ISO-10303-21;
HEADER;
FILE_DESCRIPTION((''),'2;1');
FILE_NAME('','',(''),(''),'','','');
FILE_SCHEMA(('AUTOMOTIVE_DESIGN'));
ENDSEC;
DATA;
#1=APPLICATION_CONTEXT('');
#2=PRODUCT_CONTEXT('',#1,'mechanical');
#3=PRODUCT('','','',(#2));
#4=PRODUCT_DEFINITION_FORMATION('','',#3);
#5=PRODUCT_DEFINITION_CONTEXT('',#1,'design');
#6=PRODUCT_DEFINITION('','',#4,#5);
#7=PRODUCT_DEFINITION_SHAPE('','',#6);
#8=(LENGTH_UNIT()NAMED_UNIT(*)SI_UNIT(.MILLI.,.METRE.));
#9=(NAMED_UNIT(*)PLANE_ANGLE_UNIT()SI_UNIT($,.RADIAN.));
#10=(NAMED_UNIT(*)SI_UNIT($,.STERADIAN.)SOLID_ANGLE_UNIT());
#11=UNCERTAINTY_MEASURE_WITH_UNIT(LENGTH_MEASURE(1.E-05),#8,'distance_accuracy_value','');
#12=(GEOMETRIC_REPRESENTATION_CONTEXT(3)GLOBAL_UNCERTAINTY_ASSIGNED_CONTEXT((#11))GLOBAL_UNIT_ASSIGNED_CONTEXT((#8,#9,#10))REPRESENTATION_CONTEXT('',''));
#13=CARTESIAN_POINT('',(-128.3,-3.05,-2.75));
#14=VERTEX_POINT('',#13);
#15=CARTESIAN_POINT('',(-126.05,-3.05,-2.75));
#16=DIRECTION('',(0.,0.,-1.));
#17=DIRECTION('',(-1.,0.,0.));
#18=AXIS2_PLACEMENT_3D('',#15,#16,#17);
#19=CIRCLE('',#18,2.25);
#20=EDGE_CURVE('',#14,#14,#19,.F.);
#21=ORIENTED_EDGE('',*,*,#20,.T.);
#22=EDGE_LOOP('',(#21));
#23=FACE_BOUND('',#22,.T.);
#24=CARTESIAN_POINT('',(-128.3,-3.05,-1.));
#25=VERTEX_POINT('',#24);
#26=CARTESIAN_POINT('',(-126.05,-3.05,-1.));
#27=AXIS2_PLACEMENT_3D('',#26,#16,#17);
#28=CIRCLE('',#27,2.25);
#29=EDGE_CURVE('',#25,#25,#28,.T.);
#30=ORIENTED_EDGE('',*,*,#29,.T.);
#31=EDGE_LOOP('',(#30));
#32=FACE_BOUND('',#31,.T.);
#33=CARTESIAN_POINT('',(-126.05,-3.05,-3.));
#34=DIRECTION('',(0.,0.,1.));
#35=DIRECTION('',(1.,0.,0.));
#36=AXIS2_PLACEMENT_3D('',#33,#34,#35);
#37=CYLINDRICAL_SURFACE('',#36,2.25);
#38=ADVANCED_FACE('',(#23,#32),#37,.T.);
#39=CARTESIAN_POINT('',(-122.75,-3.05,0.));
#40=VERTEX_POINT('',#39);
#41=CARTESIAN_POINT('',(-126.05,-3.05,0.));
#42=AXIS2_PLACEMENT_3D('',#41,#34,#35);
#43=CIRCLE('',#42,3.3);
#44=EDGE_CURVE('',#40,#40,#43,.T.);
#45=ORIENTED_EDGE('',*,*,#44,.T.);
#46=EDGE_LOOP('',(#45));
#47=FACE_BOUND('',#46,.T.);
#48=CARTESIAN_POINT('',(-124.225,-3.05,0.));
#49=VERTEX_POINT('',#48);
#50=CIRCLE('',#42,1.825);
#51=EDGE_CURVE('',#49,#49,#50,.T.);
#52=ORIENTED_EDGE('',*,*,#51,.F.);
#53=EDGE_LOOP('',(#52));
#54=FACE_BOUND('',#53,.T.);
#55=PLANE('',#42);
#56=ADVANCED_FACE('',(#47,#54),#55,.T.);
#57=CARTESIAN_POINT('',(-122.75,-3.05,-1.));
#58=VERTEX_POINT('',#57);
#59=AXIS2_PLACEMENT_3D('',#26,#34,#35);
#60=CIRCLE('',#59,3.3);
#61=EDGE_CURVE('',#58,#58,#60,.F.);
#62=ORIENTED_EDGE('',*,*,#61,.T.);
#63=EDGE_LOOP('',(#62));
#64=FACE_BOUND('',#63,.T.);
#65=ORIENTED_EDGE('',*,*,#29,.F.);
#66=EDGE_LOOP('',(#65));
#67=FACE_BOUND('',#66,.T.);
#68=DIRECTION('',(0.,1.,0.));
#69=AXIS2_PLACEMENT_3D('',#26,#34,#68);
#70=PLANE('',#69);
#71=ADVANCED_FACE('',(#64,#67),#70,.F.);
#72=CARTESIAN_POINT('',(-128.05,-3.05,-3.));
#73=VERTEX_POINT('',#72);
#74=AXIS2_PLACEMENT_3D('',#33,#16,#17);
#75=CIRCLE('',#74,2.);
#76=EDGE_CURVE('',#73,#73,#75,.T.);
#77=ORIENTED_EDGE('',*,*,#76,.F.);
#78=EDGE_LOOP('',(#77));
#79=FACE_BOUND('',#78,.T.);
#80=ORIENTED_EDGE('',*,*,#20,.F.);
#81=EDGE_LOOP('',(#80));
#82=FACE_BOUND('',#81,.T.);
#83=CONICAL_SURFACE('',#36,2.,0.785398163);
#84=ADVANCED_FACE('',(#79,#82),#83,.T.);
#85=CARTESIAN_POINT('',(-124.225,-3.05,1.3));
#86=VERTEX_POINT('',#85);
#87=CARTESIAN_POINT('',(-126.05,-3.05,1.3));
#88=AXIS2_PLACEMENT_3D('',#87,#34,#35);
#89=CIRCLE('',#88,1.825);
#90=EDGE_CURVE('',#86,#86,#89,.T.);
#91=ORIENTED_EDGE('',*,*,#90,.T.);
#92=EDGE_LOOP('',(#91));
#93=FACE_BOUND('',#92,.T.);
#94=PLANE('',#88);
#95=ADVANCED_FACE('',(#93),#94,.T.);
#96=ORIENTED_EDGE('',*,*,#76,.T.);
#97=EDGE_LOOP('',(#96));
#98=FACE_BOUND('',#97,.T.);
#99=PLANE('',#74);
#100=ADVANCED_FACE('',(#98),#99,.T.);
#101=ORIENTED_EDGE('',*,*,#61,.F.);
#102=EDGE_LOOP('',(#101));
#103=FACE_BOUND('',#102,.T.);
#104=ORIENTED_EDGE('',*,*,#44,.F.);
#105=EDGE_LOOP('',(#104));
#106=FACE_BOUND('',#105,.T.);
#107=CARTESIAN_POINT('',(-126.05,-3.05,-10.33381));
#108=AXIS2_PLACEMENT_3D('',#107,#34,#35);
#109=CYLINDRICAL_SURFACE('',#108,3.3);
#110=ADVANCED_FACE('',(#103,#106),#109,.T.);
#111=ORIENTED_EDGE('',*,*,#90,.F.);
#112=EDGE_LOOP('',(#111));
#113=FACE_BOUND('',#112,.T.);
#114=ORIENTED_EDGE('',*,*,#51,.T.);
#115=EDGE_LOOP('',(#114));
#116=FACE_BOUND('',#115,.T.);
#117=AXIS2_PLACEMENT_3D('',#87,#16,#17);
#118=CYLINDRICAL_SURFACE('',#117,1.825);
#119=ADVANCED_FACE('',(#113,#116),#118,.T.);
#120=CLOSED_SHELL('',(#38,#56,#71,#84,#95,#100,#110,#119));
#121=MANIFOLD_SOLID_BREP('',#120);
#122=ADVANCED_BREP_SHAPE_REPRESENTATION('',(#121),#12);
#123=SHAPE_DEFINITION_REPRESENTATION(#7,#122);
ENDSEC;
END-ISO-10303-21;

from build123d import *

# Parameters (mm, degrees)
SKETCH1_R           = 3.3
BOSS_EXTRUDE2_DEPTH = 1
SKETCH4_R           = 2.25
BOSS_EXTRUDE3_DEPTH = 2
CHAMFER4_SIZE       = 0.25
SKETCH5_R           = 1.825
BOSS_EXTRUDE4_DEPTH = 1.3


with BuildPart() as part:
    # Sketch1 → Boss-Extrude2 (new body)
    with BuildSketch(Plane.XY):
        with Locations((-126.049999999, -3.05)):
            Circle(SKETCH1_R)
    extrude(amount=-BOSS_EXTRUDE2_DEPTH)

    # Sketch4 → Boss-Extrude3 (add)
    with BuildSketch(Plane(origin=(0, 0, -1), x_dir=(-1, 0, 0), z_dir=(0, 0, -1))):
        with Locations((126.049999999, -3.05)):
            Circle(SKETCH4_R)
    extrude(amount=BOSS_EXTRUDE3_DEPTH)

    # Chamfer4
    chamfer4_edges = [part.edges().sort_by_distance(p)[0] for p in [
        (-123.799999999, -3.05, -3),
    ]]
    chamfer(chamfer4_edges, length=CHAMFER4_SIZE)

    # Sketch5 → Boss-Extrude4 (add)
    with BuildSketch(Plane.XY):
        with Locations((-126.049999999, -3.05)):
            Circle(SKETCH5_R)
    extrude(amount=BOSS_EXTRUDE4_DEPTH)


solid = part.part
